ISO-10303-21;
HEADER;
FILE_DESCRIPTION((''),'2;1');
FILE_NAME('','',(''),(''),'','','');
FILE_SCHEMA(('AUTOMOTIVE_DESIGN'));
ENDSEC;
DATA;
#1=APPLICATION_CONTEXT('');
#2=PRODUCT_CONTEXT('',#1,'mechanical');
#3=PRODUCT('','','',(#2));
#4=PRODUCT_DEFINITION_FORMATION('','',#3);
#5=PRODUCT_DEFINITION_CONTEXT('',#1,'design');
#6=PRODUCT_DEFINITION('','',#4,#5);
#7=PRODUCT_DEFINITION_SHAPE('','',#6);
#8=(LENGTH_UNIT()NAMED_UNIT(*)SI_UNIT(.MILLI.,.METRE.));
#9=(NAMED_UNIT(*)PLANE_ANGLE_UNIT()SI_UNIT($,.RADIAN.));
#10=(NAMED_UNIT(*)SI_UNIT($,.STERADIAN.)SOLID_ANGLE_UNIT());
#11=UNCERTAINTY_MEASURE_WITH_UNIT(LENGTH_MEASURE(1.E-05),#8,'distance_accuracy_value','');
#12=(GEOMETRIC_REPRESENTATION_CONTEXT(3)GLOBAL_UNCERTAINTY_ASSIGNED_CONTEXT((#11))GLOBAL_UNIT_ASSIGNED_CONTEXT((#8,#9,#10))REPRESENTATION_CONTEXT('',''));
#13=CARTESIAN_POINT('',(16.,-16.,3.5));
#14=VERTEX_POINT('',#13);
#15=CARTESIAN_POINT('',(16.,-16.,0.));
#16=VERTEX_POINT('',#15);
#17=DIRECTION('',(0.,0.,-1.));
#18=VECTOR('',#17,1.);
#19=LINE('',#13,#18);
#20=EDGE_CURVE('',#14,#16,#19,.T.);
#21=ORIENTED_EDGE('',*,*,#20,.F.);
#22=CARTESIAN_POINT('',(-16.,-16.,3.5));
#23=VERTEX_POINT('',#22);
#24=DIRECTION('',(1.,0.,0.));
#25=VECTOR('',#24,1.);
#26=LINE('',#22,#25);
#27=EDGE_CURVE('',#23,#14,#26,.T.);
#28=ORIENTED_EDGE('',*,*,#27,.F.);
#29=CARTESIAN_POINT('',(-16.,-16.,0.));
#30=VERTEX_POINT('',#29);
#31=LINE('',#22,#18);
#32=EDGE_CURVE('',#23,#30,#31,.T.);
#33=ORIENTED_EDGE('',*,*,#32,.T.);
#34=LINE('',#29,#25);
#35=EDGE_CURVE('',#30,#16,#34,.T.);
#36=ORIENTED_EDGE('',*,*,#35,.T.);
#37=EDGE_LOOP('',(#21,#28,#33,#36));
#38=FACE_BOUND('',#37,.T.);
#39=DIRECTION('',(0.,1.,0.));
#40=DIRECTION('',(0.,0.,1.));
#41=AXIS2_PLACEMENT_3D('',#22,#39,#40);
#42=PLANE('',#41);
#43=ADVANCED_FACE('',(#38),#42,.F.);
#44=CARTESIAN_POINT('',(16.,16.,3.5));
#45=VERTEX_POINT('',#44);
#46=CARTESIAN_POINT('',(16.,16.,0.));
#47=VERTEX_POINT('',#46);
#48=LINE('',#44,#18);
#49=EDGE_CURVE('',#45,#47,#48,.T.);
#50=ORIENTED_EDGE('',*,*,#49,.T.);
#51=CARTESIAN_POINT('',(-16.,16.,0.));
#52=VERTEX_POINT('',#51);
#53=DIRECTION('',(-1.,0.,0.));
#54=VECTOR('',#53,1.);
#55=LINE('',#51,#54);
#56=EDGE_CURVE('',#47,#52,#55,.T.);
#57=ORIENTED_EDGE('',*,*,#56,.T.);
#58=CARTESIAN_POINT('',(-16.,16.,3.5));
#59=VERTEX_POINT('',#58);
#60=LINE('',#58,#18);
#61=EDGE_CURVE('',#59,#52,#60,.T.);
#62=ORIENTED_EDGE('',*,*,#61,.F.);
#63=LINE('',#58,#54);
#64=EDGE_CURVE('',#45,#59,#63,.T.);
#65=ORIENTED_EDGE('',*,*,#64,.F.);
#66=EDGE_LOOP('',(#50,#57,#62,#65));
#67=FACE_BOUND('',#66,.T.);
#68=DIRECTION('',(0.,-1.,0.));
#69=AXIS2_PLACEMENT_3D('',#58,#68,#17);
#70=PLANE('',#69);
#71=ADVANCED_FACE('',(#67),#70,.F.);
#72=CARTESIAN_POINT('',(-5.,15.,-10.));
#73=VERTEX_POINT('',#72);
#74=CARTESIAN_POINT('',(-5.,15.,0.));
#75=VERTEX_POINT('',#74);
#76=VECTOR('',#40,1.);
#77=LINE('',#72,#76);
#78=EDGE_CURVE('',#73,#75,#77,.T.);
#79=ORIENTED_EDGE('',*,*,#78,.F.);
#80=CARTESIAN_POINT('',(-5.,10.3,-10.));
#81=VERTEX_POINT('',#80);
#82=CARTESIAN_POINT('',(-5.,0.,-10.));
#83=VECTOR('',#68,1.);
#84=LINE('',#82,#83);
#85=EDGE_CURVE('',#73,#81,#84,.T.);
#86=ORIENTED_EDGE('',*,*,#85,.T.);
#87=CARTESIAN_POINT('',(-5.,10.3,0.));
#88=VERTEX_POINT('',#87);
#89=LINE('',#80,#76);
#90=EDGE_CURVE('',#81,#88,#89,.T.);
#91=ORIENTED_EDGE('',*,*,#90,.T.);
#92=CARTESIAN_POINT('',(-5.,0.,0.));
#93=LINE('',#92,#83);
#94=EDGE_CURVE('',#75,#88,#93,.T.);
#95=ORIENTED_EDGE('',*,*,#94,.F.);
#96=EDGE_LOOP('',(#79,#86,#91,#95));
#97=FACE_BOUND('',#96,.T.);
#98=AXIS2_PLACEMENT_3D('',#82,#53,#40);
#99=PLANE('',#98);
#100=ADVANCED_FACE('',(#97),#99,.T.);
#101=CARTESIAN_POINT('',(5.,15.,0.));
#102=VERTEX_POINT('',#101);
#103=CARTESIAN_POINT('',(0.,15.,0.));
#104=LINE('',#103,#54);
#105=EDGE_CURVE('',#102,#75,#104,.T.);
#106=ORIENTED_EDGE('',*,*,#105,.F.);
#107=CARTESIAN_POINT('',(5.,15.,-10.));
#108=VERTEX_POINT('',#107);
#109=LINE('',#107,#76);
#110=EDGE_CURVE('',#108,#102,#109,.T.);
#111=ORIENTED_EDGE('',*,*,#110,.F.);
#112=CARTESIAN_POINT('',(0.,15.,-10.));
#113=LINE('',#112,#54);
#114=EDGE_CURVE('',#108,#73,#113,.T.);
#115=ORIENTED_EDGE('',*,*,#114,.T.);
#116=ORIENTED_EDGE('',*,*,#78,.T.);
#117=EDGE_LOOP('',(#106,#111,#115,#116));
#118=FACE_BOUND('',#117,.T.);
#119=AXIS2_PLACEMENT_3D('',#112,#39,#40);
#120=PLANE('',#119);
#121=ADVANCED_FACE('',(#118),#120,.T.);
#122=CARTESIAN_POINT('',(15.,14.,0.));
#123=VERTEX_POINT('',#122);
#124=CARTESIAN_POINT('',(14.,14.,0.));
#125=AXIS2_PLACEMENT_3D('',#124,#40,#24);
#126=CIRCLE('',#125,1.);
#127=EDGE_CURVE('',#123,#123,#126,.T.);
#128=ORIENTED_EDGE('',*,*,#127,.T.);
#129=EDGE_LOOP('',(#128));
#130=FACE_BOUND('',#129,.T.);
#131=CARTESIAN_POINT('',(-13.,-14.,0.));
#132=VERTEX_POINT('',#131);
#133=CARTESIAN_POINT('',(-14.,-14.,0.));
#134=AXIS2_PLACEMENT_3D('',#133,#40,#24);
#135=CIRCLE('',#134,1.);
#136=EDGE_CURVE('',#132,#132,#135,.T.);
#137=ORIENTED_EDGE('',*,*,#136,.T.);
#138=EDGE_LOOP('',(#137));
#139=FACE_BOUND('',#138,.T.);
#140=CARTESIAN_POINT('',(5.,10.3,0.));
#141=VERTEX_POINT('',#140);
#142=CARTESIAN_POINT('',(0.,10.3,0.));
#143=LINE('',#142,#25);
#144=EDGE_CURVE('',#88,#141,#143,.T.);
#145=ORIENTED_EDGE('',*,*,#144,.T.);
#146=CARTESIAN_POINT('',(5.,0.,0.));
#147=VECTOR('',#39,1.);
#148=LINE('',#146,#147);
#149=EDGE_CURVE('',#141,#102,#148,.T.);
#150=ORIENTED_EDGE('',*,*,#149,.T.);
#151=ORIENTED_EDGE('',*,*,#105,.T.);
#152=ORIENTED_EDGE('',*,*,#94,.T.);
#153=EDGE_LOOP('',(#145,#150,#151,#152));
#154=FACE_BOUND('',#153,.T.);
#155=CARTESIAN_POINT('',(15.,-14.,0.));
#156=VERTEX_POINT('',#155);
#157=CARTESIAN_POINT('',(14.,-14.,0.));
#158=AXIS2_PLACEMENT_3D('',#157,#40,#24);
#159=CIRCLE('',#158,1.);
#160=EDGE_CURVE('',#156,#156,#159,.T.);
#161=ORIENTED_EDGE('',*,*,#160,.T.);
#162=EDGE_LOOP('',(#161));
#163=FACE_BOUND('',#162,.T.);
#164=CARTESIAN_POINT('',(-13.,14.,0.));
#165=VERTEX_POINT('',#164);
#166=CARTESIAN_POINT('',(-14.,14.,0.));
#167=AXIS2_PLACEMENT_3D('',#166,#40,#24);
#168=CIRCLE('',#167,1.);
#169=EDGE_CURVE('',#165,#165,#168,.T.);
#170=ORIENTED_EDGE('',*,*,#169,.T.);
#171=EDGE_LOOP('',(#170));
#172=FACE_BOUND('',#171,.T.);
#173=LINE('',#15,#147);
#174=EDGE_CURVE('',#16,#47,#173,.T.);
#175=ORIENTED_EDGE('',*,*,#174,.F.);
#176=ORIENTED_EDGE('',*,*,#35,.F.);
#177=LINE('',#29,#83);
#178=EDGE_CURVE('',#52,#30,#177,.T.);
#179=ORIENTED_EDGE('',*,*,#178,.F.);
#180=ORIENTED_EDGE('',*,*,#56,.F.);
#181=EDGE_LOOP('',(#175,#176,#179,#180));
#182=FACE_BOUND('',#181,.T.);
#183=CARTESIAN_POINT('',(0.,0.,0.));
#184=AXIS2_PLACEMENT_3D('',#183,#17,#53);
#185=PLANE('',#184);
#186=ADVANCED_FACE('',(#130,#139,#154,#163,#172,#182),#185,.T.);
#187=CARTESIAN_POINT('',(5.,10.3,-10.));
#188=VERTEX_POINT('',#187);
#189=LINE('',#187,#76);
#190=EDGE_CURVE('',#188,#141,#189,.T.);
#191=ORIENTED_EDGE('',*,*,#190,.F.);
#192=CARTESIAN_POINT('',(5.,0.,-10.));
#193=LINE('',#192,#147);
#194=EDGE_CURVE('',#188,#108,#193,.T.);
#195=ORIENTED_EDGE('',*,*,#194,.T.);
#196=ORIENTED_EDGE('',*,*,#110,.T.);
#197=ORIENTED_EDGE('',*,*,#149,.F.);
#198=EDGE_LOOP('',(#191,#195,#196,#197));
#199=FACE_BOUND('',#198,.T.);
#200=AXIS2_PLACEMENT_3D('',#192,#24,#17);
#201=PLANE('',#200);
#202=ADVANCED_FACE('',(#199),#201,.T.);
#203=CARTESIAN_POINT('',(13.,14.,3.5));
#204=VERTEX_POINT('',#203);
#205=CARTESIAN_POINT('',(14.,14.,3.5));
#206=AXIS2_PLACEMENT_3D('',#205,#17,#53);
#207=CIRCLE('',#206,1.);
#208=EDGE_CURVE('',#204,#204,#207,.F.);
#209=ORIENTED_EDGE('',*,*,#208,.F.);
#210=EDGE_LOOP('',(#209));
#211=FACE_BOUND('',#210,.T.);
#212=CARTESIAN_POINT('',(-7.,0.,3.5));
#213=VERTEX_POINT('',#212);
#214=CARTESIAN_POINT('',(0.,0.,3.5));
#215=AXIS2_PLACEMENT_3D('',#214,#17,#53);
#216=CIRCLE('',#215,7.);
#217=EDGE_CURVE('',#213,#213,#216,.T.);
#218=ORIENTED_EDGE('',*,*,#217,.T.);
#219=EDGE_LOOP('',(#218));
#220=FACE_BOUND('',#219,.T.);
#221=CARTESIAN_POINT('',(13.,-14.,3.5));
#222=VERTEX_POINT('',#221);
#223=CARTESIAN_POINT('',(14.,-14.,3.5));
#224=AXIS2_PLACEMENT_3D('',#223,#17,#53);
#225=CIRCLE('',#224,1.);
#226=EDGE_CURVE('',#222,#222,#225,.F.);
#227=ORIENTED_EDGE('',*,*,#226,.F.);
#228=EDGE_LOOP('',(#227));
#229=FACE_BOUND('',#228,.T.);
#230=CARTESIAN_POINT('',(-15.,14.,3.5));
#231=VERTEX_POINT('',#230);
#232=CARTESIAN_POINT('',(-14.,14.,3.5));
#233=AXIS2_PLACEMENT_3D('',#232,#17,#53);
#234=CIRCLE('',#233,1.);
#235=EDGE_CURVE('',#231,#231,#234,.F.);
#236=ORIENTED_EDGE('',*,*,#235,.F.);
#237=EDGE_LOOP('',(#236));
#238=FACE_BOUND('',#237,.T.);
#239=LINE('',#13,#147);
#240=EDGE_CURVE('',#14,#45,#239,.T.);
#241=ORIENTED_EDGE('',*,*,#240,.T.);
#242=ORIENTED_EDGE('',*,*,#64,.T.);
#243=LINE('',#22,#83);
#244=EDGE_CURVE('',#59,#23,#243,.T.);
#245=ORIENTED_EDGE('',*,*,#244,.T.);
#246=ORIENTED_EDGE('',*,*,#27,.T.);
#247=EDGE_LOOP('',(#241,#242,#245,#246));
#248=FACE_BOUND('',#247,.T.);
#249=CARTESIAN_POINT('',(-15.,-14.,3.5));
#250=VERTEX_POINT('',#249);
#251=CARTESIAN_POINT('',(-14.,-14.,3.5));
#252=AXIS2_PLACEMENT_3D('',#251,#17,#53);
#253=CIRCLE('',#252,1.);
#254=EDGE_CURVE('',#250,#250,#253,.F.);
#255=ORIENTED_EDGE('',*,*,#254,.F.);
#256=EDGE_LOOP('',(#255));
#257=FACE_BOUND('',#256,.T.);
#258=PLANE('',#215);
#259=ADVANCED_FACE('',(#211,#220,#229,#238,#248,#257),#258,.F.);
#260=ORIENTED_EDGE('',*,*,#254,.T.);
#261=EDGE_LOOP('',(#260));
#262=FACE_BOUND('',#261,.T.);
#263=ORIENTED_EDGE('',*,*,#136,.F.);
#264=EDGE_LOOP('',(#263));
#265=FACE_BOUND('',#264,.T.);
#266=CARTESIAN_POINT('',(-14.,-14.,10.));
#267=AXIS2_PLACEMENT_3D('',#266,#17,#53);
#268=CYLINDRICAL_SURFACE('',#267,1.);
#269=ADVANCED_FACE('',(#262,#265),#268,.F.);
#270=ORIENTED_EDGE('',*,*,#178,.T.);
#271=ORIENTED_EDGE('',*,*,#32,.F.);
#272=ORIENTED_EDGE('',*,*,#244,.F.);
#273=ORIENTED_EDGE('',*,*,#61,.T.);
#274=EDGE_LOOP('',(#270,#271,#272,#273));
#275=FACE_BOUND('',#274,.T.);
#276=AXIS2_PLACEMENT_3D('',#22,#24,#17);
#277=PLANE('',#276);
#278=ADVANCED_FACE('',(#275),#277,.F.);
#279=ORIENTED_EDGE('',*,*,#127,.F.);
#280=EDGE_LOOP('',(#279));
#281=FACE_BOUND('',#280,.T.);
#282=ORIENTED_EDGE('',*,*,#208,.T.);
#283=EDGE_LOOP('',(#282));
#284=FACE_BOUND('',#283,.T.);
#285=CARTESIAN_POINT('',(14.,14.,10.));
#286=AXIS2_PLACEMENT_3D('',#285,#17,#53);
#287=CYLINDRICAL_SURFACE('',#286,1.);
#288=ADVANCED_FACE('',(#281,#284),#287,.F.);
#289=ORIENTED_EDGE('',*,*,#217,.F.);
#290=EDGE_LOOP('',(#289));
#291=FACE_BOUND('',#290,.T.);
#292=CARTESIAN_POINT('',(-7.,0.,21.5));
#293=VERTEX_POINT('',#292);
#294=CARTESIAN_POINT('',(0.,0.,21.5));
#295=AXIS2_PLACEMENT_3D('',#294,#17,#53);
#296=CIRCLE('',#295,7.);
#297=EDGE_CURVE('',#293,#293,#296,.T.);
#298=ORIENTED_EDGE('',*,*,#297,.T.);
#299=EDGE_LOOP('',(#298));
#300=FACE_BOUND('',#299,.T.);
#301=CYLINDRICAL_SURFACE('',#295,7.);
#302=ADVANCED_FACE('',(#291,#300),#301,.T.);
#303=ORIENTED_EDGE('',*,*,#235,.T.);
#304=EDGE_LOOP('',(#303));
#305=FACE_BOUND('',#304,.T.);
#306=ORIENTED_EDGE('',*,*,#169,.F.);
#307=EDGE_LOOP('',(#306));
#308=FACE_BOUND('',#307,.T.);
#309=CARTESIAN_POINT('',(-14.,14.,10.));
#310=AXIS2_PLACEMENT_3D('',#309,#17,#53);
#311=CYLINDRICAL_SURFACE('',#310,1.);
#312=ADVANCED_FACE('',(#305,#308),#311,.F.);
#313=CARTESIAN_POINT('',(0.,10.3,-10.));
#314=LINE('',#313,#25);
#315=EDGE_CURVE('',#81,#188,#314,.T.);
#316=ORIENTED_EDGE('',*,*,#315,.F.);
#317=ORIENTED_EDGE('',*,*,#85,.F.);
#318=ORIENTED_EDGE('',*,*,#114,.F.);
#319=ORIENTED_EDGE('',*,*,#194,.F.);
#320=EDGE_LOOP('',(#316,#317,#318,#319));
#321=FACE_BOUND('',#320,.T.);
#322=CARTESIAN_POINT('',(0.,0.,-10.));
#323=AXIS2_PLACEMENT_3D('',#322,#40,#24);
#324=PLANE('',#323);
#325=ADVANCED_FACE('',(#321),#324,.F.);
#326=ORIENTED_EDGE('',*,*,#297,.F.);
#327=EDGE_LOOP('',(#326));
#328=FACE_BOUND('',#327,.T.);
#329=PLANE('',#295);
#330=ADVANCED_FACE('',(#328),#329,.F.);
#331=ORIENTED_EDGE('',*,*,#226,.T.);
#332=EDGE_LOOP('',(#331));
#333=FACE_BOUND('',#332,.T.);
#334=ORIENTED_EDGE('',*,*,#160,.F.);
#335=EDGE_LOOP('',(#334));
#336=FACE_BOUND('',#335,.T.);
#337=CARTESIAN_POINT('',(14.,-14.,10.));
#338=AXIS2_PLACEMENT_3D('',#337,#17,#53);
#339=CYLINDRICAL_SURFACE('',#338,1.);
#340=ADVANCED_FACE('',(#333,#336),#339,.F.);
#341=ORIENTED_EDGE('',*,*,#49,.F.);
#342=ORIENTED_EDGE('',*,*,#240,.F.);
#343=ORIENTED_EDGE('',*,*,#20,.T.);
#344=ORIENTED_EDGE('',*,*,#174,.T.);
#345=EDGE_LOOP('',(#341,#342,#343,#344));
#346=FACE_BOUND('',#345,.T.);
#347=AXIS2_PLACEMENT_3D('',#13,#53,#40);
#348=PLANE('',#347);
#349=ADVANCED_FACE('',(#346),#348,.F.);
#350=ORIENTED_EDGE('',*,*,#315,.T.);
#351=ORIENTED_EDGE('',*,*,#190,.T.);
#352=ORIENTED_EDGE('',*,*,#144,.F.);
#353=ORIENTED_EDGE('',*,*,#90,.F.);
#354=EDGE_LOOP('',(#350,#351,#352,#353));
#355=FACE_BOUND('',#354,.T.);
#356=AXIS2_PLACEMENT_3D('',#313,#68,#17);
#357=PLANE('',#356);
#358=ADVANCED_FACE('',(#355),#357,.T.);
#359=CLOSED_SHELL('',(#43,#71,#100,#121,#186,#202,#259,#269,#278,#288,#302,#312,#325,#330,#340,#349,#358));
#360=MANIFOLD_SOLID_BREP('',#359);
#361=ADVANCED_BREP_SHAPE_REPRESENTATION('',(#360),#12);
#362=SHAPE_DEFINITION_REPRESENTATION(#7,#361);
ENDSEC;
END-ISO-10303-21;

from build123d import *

# Parameters (mm, degrees)
SKETCH1_W           = 32
SKETCH1_H           = 32
BOSS_EXTRUDE1_DEPTH = 3.5
BOSS_EXTRUDE2_START = 3.5
SKETCH2_R           = 7
BOSS_EXTRUDE2_DEPTH = 18
SKETCH3_W           = 10
SKETCH3_H           = 4.7
BOSS_EXTRUDE3_DEPTH = 10
SKETCH4_R           = 1
CUT_EXTRUDE1_DEPTH  = 10


with BuildPart() as part:
    # Sketch1 → Boss-Extrude1 (new body)
    with BuildSketch(Plane.XY):
        Rectangle(SKETCH1_W, SKETCH1_H)
    extrude(amount=BOSS_EXTRUDE1_DEPTH)

    # Sketch2 → Boss-Extrude2 (add)
    with BuildSketch(Plane.XY.offset(BOSS_EXTRUDE2_START)):
        with Locations(Location((0, 0, 0), (0, 0, 180))):
            Circle(SKETCH2_R)
    extrude(amount=BOSS_EXTRUDE2_DEPTH)

    # Sketch3 → Boss-Extrude3 (add)
    with BuildSketch(Plane.XY):
        with Locations((0, 12.65)):
            Rectangle(SKETCH3_W, SKETCH3_H)
    extrude(amount=-BOSS_EXTRUDE3_DEPTH)

    # Sketch4 → Cut-Extrude1 (cut)
    with BuildSketch(Plane.XY):
        with Locations(Location((14, 14, 0), (0, 0, 180))):
            Circle(SKETCH4_R)
        with Locations(Location((-14, 14, 0), (0, 0, 180))):
            Circle(SKETCH4_R)
        with Locations(Location((-14, -14, 0), (0, 0, 180))):
            Circle(SKETCH4_R)
        with Locations(Location((14, -14, 0), (0, 0, 180))):
            Circle(SKETCH4_R)
    extrude(amount=CUT_EXTRUDE1_DEPTH, mode=Mode.SUBTRACT)


solid = part.part
